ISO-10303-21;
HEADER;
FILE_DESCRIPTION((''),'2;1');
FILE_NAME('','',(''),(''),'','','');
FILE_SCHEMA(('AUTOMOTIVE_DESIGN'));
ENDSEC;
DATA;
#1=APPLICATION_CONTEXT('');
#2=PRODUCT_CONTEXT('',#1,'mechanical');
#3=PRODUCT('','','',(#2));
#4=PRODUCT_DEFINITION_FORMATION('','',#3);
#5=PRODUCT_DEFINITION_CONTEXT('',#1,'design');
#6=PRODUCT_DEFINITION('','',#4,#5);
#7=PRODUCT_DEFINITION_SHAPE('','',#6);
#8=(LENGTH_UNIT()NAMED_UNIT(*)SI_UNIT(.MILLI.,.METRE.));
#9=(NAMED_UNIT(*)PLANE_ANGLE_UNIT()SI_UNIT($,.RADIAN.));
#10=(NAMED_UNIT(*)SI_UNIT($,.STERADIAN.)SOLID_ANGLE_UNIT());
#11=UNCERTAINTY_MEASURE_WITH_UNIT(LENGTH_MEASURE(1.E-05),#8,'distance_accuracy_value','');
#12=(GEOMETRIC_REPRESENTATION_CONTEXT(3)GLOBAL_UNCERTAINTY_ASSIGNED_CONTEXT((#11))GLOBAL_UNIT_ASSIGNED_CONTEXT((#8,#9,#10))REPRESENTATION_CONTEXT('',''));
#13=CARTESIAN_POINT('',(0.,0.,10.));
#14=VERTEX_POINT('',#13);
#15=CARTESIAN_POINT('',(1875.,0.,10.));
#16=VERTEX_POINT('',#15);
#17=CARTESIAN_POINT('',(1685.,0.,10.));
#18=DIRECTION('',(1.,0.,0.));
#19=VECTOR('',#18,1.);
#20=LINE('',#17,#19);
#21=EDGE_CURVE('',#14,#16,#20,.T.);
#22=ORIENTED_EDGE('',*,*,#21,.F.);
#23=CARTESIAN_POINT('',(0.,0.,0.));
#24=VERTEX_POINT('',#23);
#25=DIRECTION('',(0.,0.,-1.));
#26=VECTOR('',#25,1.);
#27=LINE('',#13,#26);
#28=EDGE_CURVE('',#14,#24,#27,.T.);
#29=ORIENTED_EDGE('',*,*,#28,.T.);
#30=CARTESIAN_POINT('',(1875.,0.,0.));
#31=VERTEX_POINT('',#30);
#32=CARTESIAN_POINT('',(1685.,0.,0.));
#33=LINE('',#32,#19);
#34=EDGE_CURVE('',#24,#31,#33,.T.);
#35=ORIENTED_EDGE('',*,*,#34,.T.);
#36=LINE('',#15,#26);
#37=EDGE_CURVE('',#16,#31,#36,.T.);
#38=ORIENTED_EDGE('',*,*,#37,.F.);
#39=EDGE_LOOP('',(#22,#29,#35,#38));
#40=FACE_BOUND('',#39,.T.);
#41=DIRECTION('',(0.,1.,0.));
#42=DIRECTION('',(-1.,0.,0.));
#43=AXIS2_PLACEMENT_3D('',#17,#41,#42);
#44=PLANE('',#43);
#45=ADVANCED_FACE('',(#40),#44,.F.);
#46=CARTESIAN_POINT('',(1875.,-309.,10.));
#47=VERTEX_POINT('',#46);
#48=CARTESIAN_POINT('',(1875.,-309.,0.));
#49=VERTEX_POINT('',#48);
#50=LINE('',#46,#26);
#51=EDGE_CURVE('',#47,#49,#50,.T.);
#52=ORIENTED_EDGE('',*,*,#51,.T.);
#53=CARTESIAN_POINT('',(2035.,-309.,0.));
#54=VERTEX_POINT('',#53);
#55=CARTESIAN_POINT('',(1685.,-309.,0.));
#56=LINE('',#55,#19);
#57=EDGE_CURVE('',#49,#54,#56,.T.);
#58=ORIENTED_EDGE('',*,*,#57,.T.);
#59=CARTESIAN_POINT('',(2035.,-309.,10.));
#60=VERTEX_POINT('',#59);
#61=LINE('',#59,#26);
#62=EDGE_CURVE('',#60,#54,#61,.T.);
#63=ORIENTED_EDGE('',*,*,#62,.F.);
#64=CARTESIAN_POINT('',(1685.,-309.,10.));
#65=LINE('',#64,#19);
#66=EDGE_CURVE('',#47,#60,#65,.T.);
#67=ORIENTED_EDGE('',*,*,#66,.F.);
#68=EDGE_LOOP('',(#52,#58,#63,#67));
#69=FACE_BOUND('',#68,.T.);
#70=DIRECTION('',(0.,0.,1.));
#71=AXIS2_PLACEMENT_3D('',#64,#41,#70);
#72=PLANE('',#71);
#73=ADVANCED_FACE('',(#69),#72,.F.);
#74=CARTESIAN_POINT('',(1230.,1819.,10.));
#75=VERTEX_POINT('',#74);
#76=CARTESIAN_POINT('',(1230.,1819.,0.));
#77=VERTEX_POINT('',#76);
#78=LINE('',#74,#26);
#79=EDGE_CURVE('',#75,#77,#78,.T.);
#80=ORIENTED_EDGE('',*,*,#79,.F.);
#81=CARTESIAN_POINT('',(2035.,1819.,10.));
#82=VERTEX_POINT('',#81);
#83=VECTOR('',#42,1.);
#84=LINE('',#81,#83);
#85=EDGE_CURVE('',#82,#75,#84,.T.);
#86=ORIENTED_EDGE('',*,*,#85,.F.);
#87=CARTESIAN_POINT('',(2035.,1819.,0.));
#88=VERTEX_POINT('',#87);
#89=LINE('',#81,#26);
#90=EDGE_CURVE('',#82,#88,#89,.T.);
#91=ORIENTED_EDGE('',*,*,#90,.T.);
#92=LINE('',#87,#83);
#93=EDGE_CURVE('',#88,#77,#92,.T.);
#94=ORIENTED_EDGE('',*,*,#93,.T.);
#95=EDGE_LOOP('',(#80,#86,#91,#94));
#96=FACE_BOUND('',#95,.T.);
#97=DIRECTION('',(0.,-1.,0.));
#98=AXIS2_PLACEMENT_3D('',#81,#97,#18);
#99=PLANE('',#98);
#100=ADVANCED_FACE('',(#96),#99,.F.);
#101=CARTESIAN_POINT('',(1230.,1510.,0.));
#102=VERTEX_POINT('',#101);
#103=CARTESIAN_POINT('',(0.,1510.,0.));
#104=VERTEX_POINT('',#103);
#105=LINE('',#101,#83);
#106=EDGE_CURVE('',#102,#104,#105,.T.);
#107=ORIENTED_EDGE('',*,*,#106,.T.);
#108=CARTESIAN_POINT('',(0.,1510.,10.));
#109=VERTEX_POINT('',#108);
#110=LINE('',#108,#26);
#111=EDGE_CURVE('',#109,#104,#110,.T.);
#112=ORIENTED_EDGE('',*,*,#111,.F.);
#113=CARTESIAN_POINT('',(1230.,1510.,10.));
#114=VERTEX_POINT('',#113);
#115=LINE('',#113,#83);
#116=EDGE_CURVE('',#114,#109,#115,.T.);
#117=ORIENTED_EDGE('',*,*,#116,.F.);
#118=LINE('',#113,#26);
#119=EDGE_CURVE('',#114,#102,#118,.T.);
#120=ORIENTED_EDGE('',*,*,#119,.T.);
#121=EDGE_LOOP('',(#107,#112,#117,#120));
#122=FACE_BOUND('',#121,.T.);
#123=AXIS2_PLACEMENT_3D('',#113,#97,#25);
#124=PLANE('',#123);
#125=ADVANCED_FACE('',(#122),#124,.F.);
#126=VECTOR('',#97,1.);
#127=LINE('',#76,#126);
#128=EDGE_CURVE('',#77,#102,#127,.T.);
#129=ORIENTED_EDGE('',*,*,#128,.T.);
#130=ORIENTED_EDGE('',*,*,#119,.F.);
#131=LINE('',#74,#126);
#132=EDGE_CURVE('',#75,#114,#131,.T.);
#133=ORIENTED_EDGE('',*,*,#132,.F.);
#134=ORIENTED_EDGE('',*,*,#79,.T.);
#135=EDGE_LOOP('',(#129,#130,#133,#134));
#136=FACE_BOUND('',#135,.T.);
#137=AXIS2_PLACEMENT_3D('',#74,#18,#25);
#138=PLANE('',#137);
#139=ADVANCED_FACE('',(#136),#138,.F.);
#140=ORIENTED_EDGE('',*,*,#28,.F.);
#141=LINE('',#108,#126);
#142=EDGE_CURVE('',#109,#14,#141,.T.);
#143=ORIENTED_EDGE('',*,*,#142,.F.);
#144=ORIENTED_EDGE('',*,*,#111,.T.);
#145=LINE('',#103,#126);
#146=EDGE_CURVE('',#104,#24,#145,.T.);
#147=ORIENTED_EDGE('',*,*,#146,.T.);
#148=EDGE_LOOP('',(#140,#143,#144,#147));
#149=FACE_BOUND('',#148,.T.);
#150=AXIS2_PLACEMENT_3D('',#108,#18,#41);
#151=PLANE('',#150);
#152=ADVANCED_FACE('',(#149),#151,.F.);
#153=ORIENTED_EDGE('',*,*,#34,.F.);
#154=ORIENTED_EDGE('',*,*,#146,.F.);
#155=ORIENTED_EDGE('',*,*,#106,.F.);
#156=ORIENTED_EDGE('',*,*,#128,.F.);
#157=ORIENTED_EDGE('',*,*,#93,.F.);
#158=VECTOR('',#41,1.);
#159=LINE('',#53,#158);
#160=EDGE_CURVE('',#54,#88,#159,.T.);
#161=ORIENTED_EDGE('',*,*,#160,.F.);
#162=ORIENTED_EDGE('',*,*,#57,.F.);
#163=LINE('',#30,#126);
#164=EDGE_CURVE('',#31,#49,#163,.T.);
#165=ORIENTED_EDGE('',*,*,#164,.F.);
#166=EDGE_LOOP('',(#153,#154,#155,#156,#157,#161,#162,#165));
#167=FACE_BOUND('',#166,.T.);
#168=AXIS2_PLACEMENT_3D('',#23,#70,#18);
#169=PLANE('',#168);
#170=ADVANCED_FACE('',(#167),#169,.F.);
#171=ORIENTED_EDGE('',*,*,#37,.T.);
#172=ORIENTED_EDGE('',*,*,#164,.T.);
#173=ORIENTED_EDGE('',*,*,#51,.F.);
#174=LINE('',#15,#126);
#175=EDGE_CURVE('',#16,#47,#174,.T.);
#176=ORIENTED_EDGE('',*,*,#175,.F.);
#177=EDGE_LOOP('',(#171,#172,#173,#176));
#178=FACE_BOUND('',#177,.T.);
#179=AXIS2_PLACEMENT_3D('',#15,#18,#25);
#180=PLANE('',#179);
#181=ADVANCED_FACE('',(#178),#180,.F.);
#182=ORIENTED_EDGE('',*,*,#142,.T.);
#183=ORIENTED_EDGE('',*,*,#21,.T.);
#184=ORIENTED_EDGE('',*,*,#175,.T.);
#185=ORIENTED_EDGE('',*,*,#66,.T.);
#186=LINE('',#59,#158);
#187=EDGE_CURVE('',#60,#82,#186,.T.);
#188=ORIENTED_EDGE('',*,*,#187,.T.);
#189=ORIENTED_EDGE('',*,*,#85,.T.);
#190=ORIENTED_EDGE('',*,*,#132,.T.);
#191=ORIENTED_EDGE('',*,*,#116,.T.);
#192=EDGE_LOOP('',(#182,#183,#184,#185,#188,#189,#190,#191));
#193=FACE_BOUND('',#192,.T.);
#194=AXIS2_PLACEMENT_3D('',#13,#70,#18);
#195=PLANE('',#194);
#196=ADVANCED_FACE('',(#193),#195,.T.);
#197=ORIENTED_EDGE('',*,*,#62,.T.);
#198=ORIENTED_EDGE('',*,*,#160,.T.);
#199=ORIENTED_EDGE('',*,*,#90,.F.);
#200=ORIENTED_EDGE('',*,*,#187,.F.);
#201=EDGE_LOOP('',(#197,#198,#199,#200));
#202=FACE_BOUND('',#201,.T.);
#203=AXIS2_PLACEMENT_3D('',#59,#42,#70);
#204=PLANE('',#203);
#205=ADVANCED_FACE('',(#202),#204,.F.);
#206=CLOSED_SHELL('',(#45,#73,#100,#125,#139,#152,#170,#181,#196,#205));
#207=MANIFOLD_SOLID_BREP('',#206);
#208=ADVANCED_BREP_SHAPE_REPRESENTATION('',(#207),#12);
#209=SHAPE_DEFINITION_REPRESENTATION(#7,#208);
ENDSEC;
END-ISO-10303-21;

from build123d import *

# Parameters (mm, degrees)
BOSS_EXTRUDE1_DEPTH = 10
CUT_EXTRUDE2_DEPTH  = 330
SKETCH4_W           = 178
SKETCH4_H           = 12
CUT_EXTRUDE3_DEPTH  = 2730.484566727
SKETCH5_W           = 12
SKETCH5_H           = 309
CUT_EXTRUDE4_DEPTH  = 10


with BuildPart() as part:
    # Sketch1 → Boss-Extrude1 (new body)
    with BuildSketch(Plane.XY):
        Polygon((1230, 1510), (0, 1510), (0, 0), (1685, 0), (1685, -309), (2035, -309), (2035, 1819), (1230, 1819), align=None)
    extrude(amount=BOSS_EXTRUDE1_DEPTH)

    # Sketch3 → Cut-Extrude2 (cut)
    with BuildSketch(Plane(origin=(-124.112118138, -342, 1004.457487155), x_dir=(-1, 0, 0), z_dir=(0, -1, 0))):
        with BuildLine():
            Line((-1887.112118138, 819.457487155), (-1466.112118138, 819.457487155))
            ThreePointArc((-1466.112118138, 819.457487155), (-1395.40144002, 848.746809036), (-1366.112118138, 919.457487155))
            Line((-1366.112118138, 919.457487155), (-1366.112118138, 2569.457487155))
            ThreePointArc((-1366.112118138, 2569.457487155), (-1395.40144002, 2640.168165273), (-1466.112118138, 2669.457487155))
            Line((-1466.112118138, 2669.457487155), (-1887.112118138, 2669.457487155))
            ThreePointArc((-1887.112118138, 2669.457487155), (-1957.822796257, 2640.168165273), (-1987.112118138, 2569.457487155))
            Line((-1987.112118138, 2569.457487155), (-1987.112118138, 919.457487155))
            ThreePointArc((-1987.112118138, 919.457487155), (-1957.822796257, 848.746809036), (-1887.112118138, 819.457487155))
        make_face()
    extrude(amount=-CUT_EXTRUDE2_DEPTH, mode=Mode.SUBTRACT)

    # Sketch4 → Cut-Extrude3 (cut, through all)
    with BuildSketch(Plane(origin=(0, 0, 0), x_dir=(-1, 0, 0), z_dir=(0, 0, -1))):
        with Locations((-1774, -6)):
            Rectangle(SKETCH4_W, SKETCH4_H)
    extrude(amount=-CUT_EXTRUDE3_DEPTH, mode=Mode.SUBTRACT)

    # Sketch5 → Cut-Extrude4 (cut)
    with BuildSketch(Plane(origin=(0, 0, 0), x_dir=(-1, 0, 0), z_dir=(0, 0, -1))):
        with Locations((-1869, -154.5)):
            Rectangle(SKETCH5_W, SKETCH5_H)
    extrude(amount=-CUT_EXTRUDE4_DEPTH, mode=Mode.SUBTRACT)


solid = part.part
